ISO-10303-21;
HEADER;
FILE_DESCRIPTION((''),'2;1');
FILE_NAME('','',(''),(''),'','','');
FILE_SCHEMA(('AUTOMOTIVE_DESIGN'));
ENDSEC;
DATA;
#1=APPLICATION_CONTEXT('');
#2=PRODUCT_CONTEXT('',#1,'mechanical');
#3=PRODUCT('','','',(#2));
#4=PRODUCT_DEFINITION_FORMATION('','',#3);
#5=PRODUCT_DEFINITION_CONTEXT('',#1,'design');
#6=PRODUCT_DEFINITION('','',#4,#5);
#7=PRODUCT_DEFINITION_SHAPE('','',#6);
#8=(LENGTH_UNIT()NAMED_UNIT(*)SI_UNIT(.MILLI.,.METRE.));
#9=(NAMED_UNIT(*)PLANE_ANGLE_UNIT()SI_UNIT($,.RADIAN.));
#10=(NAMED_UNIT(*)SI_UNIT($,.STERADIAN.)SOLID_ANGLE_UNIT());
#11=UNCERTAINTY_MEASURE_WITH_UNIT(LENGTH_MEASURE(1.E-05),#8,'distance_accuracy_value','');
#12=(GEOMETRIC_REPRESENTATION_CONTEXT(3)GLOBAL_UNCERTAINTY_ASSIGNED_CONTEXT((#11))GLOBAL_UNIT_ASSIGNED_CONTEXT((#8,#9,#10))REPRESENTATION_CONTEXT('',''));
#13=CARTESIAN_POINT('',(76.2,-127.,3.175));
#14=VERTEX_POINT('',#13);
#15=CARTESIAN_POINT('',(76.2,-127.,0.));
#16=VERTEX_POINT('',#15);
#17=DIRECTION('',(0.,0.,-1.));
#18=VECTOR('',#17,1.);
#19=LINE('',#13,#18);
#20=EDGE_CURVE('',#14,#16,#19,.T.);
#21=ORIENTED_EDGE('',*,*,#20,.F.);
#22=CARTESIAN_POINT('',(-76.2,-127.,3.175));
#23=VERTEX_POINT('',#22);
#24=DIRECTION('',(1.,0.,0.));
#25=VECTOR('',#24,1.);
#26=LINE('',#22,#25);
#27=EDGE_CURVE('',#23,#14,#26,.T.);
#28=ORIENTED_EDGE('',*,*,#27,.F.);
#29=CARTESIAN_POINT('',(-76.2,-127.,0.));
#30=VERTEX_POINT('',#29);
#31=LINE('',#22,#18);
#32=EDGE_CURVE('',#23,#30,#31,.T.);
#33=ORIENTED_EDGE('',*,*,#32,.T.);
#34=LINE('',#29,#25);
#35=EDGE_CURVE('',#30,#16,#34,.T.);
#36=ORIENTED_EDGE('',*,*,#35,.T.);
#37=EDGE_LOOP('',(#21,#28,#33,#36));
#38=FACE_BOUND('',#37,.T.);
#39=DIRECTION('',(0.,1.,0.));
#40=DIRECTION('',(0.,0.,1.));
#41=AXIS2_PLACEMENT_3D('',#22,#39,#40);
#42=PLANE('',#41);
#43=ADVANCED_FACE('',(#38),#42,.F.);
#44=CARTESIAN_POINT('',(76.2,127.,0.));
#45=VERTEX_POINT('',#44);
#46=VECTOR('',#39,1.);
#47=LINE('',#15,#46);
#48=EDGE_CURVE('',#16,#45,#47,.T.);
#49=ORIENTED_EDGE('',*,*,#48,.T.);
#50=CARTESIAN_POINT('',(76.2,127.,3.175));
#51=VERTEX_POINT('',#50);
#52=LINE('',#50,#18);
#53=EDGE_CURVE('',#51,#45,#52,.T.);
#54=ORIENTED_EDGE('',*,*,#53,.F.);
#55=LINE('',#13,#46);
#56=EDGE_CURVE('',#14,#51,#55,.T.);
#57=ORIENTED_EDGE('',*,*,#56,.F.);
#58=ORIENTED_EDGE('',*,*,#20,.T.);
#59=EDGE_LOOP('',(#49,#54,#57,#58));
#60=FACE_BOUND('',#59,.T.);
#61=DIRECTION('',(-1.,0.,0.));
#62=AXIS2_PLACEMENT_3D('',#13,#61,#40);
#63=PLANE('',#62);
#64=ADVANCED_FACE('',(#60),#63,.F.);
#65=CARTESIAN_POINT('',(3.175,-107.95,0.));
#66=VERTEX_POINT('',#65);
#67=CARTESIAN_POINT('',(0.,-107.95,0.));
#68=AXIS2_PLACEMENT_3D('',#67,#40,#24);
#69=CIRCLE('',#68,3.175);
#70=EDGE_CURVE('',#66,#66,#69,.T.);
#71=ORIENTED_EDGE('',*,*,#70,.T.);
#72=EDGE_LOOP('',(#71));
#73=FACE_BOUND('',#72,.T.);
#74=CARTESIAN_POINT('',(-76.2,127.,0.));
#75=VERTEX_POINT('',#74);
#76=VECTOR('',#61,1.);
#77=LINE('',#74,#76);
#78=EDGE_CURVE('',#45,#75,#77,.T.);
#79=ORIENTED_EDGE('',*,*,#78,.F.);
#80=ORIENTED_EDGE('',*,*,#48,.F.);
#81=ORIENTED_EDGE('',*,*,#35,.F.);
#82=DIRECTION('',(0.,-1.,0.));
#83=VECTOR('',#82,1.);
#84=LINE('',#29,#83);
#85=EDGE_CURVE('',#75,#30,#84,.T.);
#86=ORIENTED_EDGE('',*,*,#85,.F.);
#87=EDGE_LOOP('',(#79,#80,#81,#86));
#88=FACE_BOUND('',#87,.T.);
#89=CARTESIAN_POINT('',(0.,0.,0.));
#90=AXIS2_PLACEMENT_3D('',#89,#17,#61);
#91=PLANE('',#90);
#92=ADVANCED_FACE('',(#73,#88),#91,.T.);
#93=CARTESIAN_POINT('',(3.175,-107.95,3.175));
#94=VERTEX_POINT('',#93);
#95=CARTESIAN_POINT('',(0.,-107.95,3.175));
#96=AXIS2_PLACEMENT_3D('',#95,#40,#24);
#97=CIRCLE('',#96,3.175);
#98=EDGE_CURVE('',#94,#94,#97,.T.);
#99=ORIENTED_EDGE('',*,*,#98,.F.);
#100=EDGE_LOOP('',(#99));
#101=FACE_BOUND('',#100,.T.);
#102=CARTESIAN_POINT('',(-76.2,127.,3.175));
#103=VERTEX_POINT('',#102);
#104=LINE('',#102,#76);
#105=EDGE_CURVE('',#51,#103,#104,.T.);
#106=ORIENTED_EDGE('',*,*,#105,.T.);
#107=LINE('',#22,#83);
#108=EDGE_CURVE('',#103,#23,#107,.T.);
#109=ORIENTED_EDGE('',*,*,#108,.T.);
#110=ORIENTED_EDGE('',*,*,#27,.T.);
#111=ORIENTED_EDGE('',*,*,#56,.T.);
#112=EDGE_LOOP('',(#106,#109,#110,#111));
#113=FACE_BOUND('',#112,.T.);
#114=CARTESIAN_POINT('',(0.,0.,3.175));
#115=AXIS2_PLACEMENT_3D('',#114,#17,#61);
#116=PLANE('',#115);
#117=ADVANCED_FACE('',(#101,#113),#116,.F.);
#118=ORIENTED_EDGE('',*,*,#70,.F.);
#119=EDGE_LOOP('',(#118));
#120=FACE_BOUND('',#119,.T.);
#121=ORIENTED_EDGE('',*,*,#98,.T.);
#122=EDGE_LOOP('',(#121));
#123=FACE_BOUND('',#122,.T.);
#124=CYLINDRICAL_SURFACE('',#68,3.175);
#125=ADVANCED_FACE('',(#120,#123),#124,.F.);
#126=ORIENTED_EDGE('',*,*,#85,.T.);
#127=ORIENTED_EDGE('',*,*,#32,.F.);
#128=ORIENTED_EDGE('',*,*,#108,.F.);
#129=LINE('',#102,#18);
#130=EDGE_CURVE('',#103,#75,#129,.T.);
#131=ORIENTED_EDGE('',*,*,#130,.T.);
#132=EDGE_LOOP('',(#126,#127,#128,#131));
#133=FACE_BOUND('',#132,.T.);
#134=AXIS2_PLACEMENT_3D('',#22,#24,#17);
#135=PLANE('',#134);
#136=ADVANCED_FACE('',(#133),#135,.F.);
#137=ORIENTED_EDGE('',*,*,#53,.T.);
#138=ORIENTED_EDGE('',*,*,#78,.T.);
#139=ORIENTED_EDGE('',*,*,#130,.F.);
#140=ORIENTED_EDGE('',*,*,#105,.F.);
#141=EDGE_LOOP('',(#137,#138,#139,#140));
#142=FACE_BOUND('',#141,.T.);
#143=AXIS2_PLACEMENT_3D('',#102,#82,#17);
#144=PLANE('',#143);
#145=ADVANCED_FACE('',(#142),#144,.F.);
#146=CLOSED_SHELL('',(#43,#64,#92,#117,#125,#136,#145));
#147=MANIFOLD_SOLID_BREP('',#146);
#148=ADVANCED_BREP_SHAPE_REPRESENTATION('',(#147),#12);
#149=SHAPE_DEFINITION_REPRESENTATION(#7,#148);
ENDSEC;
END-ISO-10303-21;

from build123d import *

# Parameters (mm, degrees)
SKETCH1_W           = 152.4
SKETCH1_H           = 254
BOSS_EXTRUDE1_DEPTH = 3.175
SKETCH2_R           = 3.175
CUT_EXTRUDE1_DEPTH  = 149.140205971


with BuildPart() as part:
    # Sketch1 → Boss-Extrude1 (new body)
    with BuildSketch(Plane.XY):
        Rectangle(SKETCH1_W, SKETCH1_H)
    extrude(amount=BOSS_EXTRUDE1_DEPTH)

    # Sketch2 → Cut-Extrude1 (cut, through all)
    with BuildSketch(Plane.XY.offset(3.175)):
        with Locations((0, -107.95)):
            Circle(SKETCH2_R)
    extrude(amount=-CUT_EXTRUDE1_DEPTH, mode=Mode.SUBTRACT)


solid = part.part
